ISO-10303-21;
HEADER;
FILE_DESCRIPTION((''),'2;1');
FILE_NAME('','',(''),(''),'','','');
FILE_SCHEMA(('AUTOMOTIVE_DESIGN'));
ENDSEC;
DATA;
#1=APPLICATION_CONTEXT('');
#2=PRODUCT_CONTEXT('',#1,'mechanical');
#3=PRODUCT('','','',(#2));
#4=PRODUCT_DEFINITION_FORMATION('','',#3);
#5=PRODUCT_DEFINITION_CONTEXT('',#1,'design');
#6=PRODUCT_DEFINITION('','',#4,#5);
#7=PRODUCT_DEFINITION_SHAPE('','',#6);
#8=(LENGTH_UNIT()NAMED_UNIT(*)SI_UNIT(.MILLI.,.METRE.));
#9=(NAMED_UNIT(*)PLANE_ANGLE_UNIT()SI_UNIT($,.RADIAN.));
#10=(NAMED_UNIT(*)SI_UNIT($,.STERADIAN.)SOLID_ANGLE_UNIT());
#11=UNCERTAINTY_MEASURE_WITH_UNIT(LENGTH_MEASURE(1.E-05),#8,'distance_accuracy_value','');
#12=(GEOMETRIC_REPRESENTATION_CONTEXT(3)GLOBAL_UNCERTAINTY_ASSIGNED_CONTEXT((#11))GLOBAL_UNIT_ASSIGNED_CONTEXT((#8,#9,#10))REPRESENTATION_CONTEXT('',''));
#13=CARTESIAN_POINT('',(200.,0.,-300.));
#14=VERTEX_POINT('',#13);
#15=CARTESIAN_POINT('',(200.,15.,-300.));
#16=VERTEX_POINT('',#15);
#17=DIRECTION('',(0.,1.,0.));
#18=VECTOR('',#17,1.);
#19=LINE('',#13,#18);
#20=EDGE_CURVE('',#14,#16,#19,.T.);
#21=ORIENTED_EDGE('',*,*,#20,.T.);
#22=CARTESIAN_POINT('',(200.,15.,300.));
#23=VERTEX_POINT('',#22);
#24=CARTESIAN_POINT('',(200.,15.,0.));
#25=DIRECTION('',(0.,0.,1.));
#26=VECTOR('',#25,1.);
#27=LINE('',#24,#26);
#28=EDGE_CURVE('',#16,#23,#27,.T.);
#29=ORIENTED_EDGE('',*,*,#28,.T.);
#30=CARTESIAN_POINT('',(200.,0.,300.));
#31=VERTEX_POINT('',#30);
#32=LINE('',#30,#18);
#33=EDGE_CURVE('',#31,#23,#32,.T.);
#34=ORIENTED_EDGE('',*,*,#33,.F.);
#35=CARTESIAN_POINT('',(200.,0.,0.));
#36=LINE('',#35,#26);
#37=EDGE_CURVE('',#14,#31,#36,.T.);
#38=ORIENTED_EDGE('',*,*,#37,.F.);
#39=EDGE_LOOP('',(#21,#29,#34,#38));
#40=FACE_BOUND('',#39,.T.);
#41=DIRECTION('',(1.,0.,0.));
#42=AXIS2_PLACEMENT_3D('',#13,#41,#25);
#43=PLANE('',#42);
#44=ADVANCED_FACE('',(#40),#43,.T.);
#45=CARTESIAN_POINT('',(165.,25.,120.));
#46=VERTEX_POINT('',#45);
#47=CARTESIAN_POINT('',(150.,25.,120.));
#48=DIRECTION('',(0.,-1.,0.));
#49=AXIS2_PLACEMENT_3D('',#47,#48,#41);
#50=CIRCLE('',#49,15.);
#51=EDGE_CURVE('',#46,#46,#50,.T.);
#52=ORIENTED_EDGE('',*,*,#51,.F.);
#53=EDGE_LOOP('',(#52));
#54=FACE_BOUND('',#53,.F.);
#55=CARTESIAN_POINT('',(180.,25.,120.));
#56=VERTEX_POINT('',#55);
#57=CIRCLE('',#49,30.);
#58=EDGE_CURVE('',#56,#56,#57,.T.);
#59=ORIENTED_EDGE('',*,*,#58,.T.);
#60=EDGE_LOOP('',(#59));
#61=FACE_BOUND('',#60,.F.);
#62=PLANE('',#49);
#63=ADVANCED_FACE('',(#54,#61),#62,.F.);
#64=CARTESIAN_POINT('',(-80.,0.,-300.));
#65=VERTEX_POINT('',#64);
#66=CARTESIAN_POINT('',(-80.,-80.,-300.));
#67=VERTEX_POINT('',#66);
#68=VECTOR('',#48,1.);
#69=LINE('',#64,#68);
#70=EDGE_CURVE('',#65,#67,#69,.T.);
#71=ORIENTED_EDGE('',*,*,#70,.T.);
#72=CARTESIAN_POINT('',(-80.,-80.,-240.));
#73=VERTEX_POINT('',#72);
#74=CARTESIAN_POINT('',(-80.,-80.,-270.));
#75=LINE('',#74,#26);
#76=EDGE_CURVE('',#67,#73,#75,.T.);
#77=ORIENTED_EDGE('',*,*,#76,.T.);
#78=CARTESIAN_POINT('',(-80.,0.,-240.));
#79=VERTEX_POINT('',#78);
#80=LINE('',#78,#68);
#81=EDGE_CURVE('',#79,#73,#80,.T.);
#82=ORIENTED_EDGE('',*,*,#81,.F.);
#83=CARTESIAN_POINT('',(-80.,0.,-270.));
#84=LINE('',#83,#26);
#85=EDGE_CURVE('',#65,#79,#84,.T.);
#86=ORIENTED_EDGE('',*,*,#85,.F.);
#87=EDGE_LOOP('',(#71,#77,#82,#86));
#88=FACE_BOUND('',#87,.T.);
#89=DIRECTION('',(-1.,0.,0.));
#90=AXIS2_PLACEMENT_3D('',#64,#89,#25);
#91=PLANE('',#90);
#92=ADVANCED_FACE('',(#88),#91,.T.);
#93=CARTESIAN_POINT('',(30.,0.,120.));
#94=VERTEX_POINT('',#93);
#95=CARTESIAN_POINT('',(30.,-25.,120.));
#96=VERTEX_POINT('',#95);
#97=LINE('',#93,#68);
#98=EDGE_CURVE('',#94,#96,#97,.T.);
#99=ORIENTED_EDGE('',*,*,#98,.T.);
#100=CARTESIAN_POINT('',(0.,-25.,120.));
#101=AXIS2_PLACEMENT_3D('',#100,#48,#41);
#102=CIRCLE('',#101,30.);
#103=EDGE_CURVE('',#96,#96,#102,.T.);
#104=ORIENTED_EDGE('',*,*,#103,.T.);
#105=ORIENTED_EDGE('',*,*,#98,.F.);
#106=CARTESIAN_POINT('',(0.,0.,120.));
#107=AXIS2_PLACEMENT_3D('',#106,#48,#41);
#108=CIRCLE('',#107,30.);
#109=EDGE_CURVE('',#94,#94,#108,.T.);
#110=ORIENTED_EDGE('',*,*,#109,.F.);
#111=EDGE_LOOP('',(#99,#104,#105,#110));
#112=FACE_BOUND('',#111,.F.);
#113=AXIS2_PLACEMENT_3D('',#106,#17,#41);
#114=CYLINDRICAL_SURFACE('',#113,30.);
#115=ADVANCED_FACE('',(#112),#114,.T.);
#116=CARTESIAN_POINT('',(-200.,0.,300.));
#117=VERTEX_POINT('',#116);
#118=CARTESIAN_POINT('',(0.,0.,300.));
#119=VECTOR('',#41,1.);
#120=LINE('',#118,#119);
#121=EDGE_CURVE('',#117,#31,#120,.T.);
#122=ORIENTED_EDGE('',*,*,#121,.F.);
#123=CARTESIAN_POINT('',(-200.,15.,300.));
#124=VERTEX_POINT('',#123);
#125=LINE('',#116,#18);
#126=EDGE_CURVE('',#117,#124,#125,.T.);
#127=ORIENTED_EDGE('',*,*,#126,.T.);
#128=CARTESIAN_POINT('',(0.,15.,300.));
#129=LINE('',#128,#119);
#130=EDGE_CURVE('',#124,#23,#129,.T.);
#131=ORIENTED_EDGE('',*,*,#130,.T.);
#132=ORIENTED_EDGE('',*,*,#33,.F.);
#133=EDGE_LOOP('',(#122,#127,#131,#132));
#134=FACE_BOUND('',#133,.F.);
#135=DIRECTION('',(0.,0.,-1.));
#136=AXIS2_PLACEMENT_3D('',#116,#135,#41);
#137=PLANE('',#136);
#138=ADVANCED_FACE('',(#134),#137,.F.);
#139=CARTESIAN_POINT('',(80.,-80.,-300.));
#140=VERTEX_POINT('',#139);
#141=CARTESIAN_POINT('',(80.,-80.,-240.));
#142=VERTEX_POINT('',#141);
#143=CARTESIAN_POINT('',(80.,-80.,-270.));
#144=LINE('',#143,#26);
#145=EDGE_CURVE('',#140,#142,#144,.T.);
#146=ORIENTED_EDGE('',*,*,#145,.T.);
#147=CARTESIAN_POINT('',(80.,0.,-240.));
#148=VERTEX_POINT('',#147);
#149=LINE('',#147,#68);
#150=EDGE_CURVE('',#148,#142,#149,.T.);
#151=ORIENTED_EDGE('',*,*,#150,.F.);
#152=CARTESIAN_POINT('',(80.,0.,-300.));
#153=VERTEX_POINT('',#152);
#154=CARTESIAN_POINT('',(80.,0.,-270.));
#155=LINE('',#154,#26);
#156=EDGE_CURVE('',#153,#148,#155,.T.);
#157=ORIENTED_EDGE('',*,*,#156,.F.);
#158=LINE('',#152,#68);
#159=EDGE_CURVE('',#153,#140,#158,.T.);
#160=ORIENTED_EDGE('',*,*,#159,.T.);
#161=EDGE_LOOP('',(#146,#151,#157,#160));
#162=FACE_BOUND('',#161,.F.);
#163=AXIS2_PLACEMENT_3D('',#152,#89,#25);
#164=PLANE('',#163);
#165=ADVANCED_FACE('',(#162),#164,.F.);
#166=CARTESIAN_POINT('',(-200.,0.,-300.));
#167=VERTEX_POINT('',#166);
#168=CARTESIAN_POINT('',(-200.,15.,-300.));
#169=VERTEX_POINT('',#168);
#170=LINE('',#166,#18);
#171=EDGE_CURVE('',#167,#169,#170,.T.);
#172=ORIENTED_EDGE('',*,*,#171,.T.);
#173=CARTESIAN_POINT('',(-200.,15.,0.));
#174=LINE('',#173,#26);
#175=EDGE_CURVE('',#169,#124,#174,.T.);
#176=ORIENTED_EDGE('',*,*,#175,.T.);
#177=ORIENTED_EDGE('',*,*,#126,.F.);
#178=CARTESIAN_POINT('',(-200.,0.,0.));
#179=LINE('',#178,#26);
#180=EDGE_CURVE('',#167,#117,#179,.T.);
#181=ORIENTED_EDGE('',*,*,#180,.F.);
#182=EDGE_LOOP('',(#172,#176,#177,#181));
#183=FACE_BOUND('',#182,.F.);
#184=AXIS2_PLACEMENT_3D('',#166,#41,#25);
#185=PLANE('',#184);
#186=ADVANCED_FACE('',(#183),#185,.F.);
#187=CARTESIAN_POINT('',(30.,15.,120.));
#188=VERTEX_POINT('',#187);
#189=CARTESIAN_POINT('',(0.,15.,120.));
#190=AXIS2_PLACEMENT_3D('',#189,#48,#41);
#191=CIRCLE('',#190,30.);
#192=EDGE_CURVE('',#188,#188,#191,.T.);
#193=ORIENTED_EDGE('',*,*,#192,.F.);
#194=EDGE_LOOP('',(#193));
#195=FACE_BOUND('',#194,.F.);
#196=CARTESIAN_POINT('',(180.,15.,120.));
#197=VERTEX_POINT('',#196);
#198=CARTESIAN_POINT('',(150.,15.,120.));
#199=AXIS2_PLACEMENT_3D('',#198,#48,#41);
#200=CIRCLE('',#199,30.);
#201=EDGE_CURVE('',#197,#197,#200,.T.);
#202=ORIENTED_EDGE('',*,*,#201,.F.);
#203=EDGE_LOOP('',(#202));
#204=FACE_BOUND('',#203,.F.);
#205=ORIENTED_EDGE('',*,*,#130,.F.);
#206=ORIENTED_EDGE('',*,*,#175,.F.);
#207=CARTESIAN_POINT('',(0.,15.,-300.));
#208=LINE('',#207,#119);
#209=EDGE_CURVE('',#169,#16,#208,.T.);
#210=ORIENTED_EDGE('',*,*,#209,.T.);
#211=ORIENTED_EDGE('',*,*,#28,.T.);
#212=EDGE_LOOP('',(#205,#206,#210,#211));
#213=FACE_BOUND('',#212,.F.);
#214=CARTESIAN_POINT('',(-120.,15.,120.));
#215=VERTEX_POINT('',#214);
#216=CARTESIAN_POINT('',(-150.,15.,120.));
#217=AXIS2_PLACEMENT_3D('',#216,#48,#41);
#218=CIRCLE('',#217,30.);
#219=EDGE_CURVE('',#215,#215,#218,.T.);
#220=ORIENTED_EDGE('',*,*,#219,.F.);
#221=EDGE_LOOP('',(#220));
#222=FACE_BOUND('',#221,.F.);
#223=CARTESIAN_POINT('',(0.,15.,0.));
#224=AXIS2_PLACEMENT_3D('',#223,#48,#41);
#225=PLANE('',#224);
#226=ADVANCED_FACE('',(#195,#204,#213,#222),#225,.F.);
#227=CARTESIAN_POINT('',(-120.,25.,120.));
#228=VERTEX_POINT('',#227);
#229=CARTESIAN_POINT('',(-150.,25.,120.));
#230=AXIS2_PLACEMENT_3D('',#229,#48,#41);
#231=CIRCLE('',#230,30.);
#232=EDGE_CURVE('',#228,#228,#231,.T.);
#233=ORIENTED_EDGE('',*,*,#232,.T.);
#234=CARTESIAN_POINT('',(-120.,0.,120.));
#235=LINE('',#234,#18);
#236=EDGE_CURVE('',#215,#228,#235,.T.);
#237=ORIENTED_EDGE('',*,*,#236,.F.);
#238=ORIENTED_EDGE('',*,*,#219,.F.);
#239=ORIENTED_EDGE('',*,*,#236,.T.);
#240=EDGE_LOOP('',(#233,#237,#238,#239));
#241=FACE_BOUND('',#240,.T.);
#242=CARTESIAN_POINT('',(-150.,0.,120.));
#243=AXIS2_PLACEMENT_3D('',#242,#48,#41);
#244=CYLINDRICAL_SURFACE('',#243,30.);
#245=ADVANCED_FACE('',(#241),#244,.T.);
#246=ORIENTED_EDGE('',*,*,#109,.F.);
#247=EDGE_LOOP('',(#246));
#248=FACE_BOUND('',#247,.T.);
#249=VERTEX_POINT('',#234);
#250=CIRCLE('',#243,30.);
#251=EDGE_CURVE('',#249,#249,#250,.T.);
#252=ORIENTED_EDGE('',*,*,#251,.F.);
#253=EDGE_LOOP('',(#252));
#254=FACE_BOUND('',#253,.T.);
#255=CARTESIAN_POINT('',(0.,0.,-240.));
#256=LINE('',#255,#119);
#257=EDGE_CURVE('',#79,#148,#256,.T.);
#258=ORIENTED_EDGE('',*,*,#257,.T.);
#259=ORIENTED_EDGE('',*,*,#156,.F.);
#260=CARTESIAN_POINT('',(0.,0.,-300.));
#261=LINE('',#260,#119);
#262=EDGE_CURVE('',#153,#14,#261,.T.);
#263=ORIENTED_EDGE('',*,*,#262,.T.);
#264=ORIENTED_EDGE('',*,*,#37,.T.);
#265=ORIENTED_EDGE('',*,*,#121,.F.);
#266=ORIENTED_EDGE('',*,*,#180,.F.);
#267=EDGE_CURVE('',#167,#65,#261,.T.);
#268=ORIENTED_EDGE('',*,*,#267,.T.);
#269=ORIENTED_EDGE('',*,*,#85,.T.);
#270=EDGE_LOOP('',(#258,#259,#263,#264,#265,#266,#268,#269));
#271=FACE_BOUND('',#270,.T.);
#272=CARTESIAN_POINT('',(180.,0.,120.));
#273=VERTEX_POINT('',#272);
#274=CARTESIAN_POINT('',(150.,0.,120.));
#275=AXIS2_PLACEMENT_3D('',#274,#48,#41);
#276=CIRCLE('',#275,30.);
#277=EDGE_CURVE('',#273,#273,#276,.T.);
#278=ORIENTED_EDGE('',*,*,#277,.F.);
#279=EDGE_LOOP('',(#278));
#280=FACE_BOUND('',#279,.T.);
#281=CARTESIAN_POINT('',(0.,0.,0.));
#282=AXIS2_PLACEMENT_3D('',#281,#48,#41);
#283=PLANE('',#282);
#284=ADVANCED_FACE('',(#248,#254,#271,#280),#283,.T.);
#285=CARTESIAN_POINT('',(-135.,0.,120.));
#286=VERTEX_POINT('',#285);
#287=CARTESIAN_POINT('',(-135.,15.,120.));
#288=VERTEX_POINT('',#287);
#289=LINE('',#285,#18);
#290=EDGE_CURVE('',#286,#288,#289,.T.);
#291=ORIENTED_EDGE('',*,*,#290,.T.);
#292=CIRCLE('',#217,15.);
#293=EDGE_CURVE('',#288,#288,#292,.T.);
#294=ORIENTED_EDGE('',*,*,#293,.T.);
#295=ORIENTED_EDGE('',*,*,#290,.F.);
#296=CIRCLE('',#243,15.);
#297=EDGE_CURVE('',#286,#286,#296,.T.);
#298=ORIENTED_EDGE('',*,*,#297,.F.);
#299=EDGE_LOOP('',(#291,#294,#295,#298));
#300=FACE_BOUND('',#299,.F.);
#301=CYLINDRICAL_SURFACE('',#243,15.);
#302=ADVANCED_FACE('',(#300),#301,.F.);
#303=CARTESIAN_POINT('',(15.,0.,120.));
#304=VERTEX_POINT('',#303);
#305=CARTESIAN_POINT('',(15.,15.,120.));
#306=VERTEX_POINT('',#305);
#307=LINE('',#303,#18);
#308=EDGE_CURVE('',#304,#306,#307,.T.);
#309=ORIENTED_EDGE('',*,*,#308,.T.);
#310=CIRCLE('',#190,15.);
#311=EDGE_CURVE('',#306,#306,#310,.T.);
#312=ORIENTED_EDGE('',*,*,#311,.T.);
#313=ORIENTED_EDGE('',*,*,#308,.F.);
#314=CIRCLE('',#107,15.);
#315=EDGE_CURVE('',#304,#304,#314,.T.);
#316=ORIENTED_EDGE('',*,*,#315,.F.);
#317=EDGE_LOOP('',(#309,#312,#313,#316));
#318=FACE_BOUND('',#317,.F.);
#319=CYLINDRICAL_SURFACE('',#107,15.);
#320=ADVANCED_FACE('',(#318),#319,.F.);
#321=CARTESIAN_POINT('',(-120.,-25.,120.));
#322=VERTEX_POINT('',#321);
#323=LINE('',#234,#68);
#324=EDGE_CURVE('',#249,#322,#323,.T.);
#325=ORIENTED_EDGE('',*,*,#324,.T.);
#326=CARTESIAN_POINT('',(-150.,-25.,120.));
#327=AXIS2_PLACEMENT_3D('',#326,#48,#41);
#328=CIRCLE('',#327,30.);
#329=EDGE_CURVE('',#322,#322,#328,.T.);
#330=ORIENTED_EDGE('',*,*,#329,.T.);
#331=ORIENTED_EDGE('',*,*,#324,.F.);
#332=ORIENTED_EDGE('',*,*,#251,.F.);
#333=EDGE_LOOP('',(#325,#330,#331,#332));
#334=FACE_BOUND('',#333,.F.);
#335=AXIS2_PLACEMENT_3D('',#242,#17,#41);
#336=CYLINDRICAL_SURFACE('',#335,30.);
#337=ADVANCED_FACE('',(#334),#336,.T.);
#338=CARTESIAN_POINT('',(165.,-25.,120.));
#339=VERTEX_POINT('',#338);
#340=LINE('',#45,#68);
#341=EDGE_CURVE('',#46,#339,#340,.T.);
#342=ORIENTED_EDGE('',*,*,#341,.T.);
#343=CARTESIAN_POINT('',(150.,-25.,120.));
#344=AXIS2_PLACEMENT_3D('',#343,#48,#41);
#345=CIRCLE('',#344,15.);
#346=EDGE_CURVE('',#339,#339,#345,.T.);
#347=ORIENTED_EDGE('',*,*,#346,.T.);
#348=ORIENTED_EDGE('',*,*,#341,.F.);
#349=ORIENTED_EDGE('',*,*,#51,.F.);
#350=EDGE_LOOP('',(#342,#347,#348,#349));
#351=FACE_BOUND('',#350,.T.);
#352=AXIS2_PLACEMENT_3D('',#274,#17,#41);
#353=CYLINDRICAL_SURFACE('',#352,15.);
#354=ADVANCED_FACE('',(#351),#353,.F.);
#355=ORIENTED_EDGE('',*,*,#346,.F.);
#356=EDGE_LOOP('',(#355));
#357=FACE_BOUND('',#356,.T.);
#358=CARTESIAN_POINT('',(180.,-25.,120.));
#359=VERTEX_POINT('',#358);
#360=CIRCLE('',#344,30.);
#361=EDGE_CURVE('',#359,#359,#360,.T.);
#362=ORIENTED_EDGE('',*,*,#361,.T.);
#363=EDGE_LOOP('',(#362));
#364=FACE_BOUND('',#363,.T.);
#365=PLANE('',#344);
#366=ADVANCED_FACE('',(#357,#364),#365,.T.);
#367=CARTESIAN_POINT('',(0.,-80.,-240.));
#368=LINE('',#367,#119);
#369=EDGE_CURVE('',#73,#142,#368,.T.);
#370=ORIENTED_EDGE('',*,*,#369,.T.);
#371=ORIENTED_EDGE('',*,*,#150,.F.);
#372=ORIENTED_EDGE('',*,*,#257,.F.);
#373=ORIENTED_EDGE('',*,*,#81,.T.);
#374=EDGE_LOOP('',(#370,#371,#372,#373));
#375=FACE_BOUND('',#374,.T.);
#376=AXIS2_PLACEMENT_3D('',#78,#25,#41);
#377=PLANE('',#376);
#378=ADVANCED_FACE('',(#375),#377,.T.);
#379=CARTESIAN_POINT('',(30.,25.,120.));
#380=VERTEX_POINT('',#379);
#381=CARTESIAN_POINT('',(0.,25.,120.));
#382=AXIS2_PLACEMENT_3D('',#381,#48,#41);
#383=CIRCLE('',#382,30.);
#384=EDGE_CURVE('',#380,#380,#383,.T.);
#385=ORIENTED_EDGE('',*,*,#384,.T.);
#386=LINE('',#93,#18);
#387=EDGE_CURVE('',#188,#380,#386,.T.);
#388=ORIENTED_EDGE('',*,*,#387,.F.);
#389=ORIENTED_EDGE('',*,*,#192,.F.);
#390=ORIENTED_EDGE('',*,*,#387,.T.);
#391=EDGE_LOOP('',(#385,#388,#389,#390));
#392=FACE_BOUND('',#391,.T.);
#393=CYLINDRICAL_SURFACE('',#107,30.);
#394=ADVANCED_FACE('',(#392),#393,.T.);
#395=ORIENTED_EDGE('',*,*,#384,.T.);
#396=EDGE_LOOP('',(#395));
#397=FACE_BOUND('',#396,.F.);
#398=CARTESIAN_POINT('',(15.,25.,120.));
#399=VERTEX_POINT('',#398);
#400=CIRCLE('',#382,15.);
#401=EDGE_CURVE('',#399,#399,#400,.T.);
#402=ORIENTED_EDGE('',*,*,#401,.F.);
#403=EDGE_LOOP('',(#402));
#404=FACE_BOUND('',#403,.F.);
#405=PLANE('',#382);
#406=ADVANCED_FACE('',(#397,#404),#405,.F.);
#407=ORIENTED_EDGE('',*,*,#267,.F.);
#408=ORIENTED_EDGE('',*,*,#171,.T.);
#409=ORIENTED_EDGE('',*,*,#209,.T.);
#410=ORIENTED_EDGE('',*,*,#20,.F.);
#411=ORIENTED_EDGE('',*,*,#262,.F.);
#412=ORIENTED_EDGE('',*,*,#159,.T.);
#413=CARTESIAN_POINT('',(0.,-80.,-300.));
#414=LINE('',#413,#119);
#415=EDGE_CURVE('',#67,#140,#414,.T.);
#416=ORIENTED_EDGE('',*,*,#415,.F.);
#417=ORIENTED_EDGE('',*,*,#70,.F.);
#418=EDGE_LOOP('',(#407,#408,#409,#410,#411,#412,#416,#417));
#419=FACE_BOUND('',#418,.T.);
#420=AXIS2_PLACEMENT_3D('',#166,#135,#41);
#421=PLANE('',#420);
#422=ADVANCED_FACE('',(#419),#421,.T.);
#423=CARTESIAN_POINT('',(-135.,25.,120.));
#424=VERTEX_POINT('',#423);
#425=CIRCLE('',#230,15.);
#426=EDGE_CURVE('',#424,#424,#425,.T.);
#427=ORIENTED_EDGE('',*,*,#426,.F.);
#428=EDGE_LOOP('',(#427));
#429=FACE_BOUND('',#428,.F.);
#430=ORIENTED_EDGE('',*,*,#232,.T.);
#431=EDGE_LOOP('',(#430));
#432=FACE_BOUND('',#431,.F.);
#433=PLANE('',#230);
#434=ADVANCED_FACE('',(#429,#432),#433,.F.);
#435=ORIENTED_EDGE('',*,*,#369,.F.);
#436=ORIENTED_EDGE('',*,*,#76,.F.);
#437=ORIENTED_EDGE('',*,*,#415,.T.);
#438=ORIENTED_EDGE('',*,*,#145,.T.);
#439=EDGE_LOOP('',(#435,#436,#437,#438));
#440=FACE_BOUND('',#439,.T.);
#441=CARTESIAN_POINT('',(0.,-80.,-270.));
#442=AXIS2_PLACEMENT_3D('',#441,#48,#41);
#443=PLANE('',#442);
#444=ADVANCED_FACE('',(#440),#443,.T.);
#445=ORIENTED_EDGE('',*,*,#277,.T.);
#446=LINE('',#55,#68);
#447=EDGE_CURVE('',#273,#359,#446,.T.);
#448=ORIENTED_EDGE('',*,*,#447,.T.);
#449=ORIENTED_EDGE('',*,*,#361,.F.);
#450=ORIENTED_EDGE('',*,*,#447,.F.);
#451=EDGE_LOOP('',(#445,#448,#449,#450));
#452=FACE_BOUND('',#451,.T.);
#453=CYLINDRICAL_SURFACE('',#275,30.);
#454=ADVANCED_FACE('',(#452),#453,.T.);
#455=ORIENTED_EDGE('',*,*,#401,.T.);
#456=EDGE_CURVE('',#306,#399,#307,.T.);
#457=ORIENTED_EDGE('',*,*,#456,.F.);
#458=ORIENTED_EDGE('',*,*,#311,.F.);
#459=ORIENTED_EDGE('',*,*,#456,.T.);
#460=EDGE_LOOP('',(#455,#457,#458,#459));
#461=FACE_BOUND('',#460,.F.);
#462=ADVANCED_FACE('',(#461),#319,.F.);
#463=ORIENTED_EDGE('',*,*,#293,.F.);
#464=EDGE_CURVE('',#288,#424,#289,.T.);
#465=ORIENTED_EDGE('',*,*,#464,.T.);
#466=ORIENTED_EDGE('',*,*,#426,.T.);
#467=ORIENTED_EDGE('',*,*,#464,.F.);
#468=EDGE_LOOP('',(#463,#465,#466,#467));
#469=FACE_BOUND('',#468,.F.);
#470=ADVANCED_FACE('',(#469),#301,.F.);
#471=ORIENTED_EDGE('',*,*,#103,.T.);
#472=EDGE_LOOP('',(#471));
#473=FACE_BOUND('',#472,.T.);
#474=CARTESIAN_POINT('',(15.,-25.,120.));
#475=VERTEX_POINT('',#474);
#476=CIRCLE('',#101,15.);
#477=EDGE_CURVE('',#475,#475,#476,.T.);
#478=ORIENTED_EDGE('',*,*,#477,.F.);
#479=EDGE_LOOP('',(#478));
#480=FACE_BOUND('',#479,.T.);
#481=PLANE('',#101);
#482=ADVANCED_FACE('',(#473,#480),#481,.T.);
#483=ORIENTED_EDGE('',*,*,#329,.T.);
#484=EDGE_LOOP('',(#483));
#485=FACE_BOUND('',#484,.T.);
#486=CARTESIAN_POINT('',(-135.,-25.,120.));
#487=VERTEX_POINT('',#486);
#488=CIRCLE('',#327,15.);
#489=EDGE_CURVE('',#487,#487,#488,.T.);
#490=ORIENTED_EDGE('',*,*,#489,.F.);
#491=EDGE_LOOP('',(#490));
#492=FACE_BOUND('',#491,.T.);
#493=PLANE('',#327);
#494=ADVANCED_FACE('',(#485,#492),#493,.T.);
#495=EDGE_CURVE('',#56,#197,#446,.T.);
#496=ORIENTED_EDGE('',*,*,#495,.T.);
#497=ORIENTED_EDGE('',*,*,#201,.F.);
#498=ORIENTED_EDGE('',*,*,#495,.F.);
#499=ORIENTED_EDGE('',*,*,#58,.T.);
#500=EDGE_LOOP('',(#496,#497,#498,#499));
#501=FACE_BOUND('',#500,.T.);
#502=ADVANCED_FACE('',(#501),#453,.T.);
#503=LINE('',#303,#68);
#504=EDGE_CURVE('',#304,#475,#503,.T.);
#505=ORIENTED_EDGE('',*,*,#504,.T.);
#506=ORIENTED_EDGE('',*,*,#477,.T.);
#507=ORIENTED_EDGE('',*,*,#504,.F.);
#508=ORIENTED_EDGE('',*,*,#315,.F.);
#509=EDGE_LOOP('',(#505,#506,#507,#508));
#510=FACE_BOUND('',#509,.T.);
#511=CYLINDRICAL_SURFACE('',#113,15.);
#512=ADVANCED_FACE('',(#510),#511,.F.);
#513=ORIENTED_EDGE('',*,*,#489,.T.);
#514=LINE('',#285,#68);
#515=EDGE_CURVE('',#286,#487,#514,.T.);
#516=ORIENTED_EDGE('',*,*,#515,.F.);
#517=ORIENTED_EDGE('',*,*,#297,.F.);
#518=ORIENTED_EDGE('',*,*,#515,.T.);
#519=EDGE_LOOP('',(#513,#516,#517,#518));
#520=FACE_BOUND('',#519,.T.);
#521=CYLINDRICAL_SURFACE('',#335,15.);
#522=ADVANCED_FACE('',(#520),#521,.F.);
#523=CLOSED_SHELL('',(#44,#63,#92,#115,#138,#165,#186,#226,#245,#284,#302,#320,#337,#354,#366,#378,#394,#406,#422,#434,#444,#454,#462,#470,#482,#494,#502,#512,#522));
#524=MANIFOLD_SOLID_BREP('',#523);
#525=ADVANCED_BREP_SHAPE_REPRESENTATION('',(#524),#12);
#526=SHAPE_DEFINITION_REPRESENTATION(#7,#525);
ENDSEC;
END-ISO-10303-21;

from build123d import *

# Parameters (mm, degrees)
F0_W     = 400
F0_H     = 600
F1_DEPTH = 15
F2_R     = 30
F2_R_2   = 15
F3_DEPTH = 25
F4_DEPTH = 25.001
F5_W     = 160
F5_H     = 60
F6_DEPTH = 80


with BuildPart() as f1:
    # F0 (on Front) → F1 (new body)
    with BuildSketch(Plane.XZ):
        Rectangle(F0_W, F0_H)
    extrude(amount=-F1_DEPTH)

    # F2 (on face) → F3 (join, symmetric)
    with BuildSketch(Plane.XZ):
        with Locations((-150, 120)):
            Circle(F2_R)
        with Locations((-150, 120)):
            Circle(F2_R_2, mode=Mode.SUBTRACT)
        with Locations((0, 120)):
            Circle(F2_R)
        with Locations((0, 120)):
            Circle(F2_R_2, mode=Mode.SUBTRACT)
        with Locations((150, 120)):
            Circle(F2_R)
        with Locations((150, 120)):
            Circle(F2_R_2, mode=Mode.SUBTRACT)
    extrude(amount=F3_DEPTH, both=True)

    # F4 (cut, through all): faces of the model
    f4_faces = [f1.faces().sort_by_distance(p)[0] for p in [
        (150, 0, 120),
        (0, 0, 120),
        (-150, 0, 120),
    ]]
    extrude(f4_faces, amount=-F4_DEPTH, mode=Mode.SUBTRACT)

    # F5 (on face) → F6 (join)
    with BuildSketch(Plane.XZ):
        with Locations((0, -270)):
            Rectangle(F5_W, F5_H)
    extrude(amount=F6_DEPTH)


solid = f1.part
